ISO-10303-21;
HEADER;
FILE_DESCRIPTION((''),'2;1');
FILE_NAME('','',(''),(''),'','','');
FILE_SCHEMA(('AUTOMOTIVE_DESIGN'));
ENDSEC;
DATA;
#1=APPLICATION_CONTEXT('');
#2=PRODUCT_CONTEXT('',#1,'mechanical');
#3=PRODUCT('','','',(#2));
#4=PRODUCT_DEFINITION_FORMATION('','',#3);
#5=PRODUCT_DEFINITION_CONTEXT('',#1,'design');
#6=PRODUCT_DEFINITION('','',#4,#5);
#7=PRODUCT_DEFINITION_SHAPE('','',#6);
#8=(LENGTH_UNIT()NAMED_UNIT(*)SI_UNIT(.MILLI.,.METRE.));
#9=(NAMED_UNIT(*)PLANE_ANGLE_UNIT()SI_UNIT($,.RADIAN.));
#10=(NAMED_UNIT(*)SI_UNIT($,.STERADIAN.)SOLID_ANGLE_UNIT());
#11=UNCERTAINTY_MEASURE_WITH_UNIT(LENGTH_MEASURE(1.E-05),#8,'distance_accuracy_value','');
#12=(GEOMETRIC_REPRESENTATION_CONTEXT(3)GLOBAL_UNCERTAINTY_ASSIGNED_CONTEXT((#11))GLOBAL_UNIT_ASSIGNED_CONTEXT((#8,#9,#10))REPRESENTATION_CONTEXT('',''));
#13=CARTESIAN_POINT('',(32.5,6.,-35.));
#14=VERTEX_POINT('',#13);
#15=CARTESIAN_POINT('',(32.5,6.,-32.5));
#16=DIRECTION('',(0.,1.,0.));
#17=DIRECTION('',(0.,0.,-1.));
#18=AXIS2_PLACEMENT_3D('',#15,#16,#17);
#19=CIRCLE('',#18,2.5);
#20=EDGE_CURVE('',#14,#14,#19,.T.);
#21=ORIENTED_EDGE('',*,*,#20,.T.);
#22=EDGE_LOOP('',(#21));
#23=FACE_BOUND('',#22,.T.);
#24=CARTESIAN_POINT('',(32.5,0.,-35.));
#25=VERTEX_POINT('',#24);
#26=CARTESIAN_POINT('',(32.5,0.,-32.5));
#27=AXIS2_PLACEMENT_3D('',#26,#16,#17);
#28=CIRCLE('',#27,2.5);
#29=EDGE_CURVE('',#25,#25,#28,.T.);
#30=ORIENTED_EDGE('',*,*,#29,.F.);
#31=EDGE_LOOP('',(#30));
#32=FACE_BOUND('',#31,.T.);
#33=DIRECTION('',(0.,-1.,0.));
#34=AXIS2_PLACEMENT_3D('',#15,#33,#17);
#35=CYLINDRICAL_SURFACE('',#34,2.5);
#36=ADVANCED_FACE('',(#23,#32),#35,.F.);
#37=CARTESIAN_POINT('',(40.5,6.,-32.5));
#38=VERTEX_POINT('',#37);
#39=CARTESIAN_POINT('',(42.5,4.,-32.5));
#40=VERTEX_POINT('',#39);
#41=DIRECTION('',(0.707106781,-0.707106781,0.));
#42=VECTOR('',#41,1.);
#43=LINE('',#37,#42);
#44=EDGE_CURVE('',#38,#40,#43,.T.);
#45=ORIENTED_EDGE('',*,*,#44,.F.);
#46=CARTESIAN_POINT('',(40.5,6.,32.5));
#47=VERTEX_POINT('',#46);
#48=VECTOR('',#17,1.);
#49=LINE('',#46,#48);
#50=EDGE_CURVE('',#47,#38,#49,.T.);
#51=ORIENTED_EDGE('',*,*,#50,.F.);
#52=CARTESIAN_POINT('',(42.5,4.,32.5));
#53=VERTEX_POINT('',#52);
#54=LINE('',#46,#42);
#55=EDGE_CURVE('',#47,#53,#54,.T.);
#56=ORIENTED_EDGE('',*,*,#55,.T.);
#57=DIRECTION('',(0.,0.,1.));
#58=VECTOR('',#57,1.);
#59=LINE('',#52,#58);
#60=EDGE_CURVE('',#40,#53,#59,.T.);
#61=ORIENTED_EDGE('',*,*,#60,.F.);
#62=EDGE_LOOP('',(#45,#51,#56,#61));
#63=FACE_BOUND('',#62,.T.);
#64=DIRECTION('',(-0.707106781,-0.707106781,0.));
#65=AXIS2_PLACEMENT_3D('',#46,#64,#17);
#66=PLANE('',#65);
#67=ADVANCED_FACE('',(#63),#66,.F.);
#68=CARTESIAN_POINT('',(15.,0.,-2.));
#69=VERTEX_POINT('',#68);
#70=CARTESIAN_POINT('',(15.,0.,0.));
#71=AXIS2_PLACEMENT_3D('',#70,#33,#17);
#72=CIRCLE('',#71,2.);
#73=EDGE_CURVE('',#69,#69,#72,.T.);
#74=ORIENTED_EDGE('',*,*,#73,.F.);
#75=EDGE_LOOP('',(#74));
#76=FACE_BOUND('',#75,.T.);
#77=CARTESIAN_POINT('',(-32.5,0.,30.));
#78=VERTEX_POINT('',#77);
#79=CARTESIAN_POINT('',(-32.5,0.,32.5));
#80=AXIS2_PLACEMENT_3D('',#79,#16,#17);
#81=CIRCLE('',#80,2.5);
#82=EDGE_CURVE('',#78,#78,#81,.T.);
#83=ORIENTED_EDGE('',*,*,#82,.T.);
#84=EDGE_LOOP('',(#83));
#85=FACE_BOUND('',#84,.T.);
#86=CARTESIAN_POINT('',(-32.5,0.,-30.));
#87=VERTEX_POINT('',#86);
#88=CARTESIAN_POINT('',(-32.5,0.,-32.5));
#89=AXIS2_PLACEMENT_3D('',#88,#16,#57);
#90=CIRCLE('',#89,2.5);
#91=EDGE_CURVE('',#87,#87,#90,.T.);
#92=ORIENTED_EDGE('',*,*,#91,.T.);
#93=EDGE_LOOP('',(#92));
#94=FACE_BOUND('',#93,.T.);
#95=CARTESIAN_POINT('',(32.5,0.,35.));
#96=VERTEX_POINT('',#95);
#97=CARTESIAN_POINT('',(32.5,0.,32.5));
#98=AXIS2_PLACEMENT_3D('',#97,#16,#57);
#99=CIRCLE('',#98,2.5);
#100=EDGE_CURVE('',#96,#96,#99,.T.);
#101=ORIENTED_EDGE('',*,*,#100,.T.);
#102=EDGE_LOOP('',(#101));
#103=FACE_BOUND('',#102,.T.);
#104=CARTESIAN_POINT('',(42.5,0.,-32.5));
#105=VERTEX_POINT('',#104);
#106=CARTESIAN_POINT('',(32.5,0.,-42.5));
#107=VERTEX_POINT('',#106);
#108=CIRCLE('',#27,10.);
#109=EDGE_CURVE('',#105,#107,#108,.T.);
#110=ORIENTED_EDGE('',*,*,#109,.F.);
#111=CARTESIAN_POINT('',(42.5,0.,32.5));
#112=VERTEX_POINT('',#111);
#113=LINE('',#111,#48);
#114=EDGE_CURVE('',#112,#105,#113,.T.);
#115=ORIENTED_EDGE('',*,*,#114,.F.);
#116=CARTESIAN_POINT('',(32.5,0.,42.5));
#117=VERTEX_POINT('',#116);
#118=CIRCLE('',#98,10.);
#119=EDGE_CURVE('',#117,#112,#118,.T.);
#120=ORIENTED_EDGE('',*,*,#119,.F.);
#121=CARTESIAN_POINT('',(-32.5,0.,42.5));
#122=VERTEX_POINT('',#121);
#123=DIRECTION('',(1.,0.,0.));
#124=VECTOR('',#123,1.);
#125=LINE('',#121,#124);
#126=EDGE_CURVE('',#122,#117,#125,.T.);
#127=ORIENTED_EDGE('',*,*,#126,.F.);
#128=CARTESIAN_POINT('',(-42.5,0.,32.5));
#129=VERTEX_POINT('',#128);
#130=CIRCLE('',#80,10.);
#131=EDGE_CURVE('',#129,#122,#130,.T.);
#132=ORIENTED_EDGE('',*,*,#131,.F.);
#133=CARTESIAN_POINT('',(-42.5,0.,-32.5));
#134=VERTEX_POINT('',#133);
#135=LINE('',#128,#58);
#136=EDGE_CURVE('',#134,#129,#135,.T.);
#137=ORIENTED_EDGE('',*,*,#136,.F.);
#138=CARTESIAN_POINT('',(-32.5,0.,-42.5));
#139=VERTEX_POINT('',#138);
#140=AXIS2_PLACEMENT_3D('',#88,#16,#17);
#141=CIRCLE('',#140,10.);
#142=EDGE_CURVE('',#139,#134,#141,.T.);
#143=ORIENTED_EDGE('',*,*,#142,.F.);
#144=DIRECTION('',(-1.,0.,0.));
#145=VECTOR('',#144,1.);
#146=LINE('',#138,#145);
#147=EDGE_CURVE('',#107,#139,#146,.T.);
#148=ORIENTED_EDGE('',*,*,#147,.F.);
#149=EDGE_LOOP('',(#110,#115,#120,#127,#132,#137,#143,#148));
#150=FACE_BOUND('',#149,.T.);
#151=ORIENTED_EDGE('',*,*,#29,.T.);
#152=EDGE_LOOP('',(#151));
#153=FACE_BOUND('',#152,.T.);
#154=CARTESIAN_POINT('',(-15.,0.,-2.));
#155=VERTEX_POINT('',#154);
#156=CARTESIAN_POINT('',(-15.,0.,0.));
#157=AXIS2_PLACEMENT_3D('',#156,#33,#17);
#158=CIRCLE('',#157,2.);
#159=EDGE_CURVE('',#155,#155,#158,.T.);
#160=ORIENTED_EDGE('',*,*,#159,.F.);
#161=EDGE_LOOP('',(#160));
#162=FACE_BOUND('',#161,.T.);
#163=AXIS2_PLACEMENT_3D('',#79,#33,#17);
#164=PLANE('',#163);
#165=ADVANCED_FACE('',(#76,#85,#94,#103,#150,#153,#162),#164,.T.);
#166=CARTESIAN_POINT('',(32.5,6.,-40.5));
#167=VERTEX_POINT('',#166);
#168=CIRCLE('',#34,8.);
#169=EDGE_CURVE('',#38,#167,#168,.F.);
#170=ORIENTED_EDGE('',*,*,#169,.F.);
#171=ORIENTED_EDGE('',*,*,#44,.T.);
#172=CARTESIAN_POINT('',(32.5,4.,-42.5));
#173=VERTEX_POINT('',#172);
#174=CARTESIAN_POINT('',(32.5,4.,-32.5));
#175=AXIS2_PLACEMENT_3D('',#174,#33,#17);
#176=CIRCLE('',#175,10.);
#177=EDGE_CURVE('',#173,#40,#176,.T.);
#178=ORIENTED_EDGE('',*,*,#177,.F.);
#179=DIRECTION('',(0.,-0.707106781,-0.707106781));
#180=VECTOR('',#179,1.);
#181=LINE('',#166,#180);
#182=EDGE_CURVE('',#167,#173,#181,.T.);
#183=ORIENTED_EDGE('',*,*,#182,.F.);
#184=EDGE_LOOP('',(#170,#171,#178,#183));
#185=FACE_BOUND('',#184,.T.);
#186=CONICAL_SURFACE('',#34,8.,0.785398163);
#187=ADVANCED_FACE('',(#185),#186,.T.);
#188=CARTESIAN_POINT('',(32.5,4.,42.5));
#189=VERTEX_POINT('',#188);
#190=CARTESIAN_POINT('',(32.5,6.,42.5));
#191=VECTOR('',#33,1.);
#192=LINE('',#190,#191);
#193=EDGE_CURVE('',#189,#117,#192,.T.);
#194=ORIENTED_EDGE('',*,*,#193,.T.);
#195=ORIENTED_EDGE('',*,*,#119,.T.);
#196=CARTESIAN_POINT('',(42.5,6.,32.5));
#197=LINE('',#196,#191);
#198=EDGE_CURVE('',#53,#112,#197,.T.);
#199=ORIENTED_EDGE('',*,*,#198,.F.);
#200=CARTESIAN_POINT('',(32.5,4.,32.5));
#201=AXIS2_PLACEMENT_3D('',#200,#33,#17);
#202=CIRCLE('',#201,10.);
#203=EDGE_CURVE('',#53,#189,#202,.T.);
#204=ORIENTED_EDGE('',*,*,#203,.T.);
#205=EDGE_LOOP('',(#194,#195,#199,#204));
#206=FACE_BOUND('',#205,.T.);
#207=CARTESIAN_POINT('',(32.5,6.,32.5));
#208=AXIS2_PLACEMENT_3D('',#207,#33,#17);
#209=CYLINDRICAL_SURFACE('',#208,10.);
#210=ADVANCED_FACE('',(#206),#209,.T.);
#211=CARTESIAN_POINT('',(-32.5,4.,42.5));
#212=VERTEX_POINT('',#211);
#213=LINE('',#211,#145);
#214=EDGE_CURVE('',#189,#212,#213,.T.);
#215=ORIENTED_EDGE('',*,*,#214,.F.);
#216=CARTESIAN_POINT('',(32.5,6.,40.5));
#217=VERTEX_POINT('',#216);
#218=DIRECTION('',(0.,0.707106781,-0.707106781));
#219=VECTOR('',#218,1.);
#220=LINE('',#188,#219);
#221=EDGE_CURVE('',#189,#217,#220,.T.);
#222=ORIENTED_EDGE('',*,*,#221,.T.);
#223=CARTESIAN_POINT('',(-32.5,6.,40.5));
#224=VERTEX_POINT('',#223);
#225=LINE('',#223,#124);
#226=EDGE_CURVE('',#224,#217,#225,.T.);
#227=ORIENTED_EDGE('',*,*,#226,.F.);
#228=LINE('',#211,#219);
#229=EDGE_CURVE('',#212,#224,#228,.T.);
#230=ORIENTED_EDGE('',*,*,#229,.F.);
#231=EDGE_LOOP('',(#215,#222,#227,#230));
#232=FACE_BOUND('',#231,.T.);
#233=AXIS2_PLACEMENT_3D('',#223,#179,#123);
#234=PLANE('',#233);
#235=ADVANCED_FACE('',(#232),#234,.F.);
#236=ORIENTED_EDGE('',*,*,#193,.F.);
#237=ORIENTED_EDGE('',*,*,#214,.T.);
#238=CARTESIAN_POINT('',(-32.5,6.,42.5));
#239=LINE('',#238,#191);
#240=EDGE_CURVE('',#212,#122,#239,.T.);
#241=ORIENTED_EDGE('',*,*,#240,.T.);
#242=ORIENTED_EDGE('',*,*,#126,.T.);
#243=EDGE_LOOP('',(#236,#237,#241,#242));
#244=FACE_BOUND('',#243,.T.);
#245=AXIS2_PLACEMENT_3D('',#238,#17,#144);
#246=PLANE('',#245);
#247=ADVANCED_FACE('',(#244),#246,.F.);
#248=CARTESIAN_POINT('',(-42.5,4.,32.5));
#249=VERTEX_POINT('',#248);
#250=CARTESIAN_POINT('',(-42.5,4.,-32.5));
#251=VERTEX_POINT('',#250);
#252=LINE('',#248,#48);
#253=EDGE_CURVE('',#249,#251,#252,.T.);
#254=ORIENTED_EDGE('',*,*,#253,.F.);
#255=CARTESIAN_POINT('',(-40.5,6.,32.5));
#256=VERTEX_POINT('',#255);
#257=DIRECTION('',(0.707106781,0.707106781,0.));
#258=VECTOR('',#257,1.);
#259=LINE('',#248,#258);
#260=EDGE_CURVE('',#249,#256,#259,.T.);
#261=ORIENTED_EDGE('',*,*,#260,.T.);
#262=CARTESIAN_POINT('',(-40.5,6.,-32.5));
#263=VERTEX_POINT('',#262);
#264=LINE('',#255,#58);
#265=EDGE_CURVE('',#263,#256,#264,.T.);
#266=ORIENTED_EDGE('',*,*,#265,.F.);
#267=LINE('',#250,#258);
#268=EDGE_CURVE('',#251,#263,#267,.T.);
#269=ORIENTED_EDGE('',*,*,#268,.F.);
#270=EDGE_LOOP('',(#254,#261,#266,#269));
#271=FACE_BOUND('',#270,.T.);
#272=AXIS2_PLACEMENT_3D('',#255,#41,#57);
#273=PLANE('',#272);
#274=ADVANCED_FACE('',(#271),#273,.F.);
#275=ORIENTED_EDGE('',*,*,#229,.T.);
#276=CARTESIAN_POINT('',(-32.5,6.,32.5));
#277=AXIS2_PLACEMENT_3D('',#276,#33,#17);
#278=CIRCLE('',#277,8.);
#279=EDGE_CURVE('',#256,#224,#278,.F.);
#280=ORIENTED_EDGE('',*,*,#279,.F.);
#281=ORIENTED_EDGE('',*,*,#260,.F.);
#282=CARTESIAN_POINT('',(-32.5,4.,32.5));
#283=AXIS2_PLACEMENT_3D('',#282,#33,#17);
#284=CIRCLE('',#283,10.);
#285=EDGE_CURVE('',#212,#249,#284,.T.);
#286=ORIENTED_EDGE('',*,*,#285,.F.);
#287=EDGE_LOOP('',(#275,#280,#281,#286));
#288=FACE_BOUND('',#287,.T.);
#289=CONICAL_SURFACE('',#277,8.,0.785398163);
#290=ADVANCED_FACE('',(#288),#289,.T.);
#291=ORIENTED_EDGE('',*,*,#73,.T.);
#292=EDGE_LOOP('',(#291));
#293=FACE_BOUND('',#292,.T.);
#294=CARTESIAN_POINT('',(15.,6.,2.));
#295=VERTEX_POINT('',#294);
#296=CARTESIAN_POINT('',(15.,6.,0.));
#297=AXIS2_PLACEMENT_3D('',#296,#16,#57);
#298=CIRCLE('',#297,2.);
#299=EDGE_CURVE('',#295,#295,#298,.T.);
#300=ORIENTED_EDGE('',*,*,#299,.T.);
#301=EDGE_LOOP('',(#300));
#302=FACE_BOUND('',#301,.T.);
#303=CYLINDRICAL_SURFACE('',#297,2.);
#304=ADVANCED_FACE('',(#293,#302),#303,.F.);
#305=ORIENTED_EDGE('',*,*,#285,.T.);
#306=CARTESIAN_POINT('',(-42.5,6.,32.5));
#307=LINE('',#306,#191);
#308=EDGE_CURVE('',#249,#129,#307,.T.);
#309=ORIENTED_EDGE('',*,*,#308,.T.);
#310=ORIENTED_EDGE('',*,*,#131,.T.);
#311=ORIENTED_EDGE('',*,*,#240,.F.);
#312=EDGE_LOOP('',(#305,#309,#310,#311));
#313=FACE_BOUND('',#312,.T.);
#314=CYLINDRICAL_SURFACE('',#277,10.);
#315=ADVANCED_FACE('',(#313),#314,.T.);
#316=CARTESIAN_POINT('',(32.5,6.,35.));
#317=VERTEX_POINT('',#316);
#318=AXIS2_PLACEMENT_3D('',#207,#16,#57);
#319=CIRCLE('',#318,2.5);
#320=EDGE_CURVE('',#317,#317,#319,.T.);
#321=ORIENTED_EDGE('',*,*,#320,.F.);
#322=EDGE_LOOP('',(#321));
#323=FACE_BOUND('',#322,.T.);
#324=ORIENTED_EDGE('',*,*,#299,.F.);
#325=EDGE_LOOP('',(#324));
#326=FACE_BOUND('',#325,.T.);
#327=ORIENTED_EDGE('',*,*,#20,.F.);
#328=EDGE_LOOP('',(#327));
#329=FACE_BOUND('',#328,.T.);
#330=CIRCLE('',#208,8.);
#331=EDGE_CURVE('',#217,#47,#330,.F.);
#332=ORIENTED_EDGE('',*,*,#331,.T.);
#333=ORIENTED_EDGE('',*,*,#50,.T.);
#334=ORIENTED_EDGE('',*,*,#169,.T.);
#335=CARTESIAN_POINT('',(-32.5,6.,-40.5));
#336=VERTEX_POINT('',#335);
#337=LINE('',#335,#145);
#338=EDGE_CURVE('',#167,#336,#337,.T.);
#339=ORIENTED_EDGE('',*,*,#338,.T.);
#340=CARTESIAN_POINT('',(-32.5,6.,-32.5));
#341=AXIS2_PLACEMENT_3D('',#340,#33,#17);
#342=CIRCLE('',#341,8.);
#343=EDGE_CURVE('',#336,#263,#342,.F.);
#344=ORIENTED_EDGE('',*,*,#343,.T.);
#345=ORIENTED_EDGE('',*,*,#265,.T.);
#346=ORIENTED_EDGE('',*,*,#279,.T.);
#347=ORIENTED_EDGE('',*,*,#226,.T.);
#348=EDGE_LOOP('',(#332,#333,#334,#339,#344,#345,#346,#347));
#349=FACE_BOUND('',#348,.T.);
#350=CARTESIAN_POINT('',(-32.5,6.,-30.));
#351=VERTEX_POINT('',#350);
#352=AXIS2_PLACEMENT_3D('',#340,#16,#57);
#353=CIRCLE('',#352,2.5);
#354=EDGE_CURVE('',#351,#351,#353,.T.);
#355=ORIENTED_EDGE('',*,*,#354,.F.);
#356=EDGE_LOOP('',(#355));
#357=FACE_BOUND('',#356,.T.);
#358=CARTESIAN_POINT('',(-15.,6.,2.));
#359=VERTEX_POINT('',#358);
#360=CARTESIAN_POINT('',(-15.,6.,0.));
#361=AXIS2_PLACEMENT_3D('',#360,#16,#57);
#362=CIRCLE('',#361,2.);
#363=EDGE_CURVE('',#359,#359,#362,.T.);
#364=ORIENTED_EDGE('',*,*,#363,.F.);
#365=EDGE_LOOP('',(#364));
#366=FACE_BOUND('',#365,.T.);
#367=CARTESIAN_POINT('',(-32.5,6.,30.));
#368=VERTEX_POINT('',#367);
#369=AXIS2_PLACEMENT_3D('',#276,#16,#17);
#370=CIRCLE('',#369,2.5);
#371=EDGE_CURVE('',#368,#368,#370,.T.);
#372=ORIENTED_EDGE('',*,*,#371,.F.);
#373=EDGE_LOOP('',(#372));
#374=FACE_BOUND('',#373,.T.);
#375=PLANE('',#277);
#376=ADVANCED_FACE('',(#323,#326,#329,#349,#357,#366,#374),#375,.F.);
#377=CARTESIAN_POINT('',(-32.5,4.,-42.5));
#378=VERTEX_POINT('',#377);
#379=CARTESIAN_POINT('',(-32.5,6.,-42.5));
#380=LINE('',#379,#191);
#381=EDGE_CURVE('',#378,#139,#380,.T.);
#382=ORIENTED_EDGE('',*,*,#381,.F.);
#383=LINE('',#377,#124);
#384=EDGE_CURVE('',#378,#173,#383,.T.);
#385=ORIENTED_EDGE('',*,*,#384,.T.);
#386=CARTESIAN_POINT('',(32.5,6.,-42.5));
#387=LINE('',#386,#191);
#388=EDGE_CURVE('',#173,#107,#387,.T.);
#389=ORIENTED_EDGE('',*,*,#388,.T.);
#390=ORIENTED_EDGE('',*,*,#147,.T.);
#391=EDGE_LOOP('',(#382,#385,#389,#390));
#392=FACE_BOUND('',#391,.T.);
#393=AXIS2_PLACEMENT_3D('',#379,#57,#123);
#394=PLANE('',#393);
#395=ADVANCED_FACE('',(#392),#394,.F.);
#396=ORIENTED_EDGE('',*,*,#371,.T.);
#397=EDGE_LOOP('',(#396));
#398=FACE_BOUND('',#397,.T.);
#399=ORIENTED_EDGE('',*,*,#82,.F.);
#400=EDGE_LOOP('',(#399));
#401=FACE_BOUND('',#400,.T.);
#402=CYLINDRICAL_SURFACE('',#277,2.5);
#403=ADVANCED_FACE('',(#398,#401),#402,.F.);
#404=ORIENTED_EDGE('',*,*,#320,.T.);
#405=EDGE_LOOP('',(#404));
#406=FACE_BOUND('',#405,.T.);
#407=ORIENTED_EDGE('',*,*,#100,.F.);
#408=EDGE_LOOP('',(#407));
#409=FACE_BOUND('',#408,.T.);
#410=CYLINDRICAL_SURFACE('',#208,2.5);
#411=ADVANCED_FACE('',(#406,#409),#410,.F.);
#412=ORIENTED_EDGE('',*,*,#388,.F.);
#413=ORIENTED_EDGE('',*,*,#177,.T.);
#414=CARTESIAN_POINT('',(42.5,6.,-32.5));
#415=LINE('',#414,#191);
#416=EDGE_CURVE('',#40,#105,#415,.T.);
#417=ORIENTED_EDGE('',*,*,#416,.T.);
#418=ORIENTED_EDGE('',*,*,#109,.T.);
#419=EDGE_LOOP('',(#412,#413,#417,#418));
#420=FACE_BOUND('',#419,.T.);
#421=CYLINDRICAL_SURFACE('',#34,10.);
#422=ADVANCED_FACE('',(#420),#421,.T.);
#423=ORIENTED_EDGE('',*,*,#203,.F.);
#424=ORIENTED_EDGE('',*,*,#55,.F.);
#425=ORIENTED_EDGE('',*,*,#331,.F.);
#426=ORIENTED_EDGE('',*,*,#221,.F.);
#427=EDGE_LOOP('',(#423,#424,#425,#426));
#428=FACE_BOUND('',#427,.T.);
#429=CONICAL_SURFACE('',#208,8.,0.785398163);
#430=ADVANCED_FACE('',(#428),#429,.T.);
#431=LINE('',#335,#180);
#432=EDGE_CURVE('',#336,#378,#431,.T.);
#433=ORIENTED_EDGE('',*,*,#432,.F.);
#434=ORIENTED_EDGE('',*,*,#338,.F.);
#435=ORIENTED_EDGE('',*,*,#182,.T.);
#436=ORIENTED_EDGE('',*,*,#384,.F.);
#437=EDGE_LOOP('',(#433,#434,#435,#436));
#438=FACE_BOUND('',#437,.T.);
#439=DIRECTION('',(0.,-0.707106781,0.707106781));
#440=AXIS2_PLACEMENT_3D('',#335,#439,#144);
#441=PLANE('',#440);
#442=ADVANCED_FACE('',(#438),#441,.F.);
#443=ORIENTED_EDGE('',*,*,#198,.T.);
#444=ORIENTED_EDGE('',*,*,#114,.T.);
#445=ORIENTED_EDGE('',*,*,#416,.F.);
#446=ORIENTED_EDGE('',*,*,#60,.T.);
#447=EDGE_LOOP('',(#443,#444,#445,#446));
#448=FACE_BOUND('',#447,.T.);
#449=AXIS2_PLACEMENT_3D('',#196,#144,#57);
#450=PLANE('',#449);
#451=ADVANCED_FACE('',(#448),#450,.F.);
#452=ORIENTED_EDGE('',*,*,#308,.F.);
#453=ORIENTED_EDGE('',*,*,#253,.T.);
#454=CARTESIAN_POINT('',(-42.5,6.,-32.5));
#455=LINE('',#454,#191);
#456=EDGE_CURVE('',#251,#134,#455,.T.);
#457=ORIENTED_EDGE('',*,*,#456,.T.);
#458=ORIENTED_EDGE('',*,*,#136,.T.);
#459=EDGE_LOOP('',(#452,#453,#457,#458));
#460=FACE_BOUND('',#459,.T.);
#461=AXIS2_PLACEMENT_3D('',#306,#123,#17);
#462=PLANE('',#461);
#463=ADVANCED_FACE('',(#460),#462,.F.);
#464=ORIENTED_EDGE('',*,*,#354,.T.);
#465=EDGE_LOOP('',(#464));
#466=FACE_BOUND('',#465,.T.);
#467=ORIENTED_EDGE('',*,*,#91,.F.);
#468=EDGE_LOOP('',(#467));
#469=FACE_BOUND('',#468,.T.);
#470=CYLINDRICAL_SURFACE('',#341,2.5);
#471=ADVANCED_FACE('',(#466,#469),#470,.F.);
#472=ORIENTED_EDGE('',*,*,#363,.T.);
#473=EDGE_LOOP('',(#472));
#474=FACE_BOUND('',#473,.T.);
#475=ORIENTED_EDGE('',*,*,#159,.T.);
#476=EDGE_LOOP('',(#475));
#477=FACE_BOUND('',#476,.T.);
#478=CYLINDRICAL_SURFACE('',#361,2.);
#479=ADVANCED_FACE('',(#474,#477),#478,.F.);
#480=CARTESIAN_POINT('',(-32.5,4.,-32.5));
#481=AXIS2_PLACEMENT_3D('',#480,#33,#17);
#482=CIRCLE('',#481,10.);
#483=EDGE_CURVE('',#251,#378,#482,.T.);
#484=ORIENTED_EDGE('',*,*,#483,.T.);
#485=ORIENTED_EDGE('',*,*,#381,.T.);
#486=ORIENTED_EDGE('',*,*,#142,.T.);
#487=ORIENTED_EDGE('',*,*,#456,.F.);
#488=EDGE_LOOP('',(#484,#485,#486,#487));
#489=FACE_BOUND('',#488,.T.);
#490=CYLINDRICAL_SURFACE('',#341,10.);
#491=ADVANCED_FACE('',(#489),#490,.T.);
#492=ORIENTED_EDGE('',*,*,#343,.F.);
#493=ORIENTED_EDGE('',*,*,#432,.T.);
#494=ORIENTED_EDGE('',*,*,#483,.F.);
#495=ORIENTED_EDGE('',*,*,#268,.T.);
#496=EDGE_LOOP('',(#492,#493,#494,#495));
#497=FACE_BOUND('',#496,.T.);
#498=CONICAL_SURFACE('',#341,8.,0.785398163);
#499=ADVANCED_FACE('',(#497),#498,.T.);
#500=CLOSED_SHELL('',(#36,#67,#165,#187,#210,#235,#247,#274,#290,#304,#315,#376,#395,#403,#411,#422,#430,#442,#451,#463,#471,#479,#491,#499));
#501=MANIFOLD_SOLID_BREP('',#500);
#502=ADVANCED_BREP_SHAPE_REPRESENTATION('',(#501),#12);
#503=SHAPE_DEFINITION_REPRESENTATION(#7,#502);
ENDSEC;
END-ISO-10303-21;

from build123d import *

# Parameters (mm, degrees)
SKETCH1_R                 = 2.5
BOSS_EXTRUDE1_DEPTH       = 6
CHAMFER1_SIZE             = 2
M4X0_7_TAPPED_HOLE2_D     = 4
M4X0_7_TAPPED_HOLE2_DEPTH = 8.898278762
M4X0_7_TAPPED_HOLE2_TIP   = 1.201721238


with BuildPart() as part:
    # Sketch1 → Boss-Extrude1 (new body)
    with BuildSketch(Plane(origin=(0, 0, 0), x_dir=(1, 0, 0), z_dir=(0, 1, 0))):
        with BuildLine():
            Line((-32.5, -42.5), (32.5, -42.5))
            ThreePointArc((32.5, -42.5), (39.571067812, -39.571067812), (42.5, -32.5))
            Line((42.5, -32.5), (42.5, 32.5))
            ThreePointArc((42.5, 32.5), (39.571067812, 39.571067812), (32.5, 42.5))
            Line((32.5, 42.5), (-32.5, 42.5))
            ThreePointArc((-32.5, 42.5), (-39.571067812, 39.571067812), (-42.5, 32.5))
            Line((-42.5, 32.5), (-42.5, -32.5))
            ThreePointArc((-42.5, -32.5), (-39.571067812, -39.571067812), (-32.5, -42.5))
        make_face()
        with Locations(Location((-32.5, 32.5, 0), (0, 0, 270))):
            Circle(SKETCH1_R, mode=Mode.SUBTRACT)
        with Locations(Location((32.5, 32.5, 0), (0, 0, 90))):
            Circle(SKETCH1_R, mode=Mode.SUBTRACT)
        with Locations(Location((32.5, -32.5, 0), (0, 0, 270))):
            Circle(SKETCH1_R, mode=Mode.SUBTRACT)
        with Locations(Location((-32.5, -32.5, 0), (0, 0, 90))):
            Circle(SKETCH1_R, mode=Mode.SUBTRACT)
    extrude(amount=BOSS_EXTRUDE1_DEPTH)

    # Chamfer1
    chamfer1_edges = [part.edges().sort_by_distance(p)[0] for p in [
        (39.571067812, 6, -39.571067812),
        (42.5, 6, 0),
        (39.571067812, 6, 39.571067812),
        (0, 6, 42.5),
        (-39.571067812, 6, 39.571067812),
    ]]
    chamfer(chamfer1_edges, length=CHAMFER1_SIZE)

    # M4x0.7 Tapped Hole2
    with Locations(Plane(origin=(0, 6, 0), x_dir=(1, 0, 0), z_dir=(0, 1, 0))):
        with Locations((-15, 0), (15, 0)):
            Hole(M4X0_7_TAPPED_HOLE2_D / 2, depth=M4X0_7_TAPPED_HOLE2_DEPTH)
            with Locations((0, 0, -(M4X0_7_TAPPED_HOLE2_DEPTH + M4X0_7_TAPPED_HOLE2_TIP / 2))):  # 118° drill point
                Cone(0, M4X0_7_TAPPED_HOLE2_D / 2, M4X0_7_TAPPED_HOLE2_TIP, mode=Mode.SUBTRACT)


solid = part.part
